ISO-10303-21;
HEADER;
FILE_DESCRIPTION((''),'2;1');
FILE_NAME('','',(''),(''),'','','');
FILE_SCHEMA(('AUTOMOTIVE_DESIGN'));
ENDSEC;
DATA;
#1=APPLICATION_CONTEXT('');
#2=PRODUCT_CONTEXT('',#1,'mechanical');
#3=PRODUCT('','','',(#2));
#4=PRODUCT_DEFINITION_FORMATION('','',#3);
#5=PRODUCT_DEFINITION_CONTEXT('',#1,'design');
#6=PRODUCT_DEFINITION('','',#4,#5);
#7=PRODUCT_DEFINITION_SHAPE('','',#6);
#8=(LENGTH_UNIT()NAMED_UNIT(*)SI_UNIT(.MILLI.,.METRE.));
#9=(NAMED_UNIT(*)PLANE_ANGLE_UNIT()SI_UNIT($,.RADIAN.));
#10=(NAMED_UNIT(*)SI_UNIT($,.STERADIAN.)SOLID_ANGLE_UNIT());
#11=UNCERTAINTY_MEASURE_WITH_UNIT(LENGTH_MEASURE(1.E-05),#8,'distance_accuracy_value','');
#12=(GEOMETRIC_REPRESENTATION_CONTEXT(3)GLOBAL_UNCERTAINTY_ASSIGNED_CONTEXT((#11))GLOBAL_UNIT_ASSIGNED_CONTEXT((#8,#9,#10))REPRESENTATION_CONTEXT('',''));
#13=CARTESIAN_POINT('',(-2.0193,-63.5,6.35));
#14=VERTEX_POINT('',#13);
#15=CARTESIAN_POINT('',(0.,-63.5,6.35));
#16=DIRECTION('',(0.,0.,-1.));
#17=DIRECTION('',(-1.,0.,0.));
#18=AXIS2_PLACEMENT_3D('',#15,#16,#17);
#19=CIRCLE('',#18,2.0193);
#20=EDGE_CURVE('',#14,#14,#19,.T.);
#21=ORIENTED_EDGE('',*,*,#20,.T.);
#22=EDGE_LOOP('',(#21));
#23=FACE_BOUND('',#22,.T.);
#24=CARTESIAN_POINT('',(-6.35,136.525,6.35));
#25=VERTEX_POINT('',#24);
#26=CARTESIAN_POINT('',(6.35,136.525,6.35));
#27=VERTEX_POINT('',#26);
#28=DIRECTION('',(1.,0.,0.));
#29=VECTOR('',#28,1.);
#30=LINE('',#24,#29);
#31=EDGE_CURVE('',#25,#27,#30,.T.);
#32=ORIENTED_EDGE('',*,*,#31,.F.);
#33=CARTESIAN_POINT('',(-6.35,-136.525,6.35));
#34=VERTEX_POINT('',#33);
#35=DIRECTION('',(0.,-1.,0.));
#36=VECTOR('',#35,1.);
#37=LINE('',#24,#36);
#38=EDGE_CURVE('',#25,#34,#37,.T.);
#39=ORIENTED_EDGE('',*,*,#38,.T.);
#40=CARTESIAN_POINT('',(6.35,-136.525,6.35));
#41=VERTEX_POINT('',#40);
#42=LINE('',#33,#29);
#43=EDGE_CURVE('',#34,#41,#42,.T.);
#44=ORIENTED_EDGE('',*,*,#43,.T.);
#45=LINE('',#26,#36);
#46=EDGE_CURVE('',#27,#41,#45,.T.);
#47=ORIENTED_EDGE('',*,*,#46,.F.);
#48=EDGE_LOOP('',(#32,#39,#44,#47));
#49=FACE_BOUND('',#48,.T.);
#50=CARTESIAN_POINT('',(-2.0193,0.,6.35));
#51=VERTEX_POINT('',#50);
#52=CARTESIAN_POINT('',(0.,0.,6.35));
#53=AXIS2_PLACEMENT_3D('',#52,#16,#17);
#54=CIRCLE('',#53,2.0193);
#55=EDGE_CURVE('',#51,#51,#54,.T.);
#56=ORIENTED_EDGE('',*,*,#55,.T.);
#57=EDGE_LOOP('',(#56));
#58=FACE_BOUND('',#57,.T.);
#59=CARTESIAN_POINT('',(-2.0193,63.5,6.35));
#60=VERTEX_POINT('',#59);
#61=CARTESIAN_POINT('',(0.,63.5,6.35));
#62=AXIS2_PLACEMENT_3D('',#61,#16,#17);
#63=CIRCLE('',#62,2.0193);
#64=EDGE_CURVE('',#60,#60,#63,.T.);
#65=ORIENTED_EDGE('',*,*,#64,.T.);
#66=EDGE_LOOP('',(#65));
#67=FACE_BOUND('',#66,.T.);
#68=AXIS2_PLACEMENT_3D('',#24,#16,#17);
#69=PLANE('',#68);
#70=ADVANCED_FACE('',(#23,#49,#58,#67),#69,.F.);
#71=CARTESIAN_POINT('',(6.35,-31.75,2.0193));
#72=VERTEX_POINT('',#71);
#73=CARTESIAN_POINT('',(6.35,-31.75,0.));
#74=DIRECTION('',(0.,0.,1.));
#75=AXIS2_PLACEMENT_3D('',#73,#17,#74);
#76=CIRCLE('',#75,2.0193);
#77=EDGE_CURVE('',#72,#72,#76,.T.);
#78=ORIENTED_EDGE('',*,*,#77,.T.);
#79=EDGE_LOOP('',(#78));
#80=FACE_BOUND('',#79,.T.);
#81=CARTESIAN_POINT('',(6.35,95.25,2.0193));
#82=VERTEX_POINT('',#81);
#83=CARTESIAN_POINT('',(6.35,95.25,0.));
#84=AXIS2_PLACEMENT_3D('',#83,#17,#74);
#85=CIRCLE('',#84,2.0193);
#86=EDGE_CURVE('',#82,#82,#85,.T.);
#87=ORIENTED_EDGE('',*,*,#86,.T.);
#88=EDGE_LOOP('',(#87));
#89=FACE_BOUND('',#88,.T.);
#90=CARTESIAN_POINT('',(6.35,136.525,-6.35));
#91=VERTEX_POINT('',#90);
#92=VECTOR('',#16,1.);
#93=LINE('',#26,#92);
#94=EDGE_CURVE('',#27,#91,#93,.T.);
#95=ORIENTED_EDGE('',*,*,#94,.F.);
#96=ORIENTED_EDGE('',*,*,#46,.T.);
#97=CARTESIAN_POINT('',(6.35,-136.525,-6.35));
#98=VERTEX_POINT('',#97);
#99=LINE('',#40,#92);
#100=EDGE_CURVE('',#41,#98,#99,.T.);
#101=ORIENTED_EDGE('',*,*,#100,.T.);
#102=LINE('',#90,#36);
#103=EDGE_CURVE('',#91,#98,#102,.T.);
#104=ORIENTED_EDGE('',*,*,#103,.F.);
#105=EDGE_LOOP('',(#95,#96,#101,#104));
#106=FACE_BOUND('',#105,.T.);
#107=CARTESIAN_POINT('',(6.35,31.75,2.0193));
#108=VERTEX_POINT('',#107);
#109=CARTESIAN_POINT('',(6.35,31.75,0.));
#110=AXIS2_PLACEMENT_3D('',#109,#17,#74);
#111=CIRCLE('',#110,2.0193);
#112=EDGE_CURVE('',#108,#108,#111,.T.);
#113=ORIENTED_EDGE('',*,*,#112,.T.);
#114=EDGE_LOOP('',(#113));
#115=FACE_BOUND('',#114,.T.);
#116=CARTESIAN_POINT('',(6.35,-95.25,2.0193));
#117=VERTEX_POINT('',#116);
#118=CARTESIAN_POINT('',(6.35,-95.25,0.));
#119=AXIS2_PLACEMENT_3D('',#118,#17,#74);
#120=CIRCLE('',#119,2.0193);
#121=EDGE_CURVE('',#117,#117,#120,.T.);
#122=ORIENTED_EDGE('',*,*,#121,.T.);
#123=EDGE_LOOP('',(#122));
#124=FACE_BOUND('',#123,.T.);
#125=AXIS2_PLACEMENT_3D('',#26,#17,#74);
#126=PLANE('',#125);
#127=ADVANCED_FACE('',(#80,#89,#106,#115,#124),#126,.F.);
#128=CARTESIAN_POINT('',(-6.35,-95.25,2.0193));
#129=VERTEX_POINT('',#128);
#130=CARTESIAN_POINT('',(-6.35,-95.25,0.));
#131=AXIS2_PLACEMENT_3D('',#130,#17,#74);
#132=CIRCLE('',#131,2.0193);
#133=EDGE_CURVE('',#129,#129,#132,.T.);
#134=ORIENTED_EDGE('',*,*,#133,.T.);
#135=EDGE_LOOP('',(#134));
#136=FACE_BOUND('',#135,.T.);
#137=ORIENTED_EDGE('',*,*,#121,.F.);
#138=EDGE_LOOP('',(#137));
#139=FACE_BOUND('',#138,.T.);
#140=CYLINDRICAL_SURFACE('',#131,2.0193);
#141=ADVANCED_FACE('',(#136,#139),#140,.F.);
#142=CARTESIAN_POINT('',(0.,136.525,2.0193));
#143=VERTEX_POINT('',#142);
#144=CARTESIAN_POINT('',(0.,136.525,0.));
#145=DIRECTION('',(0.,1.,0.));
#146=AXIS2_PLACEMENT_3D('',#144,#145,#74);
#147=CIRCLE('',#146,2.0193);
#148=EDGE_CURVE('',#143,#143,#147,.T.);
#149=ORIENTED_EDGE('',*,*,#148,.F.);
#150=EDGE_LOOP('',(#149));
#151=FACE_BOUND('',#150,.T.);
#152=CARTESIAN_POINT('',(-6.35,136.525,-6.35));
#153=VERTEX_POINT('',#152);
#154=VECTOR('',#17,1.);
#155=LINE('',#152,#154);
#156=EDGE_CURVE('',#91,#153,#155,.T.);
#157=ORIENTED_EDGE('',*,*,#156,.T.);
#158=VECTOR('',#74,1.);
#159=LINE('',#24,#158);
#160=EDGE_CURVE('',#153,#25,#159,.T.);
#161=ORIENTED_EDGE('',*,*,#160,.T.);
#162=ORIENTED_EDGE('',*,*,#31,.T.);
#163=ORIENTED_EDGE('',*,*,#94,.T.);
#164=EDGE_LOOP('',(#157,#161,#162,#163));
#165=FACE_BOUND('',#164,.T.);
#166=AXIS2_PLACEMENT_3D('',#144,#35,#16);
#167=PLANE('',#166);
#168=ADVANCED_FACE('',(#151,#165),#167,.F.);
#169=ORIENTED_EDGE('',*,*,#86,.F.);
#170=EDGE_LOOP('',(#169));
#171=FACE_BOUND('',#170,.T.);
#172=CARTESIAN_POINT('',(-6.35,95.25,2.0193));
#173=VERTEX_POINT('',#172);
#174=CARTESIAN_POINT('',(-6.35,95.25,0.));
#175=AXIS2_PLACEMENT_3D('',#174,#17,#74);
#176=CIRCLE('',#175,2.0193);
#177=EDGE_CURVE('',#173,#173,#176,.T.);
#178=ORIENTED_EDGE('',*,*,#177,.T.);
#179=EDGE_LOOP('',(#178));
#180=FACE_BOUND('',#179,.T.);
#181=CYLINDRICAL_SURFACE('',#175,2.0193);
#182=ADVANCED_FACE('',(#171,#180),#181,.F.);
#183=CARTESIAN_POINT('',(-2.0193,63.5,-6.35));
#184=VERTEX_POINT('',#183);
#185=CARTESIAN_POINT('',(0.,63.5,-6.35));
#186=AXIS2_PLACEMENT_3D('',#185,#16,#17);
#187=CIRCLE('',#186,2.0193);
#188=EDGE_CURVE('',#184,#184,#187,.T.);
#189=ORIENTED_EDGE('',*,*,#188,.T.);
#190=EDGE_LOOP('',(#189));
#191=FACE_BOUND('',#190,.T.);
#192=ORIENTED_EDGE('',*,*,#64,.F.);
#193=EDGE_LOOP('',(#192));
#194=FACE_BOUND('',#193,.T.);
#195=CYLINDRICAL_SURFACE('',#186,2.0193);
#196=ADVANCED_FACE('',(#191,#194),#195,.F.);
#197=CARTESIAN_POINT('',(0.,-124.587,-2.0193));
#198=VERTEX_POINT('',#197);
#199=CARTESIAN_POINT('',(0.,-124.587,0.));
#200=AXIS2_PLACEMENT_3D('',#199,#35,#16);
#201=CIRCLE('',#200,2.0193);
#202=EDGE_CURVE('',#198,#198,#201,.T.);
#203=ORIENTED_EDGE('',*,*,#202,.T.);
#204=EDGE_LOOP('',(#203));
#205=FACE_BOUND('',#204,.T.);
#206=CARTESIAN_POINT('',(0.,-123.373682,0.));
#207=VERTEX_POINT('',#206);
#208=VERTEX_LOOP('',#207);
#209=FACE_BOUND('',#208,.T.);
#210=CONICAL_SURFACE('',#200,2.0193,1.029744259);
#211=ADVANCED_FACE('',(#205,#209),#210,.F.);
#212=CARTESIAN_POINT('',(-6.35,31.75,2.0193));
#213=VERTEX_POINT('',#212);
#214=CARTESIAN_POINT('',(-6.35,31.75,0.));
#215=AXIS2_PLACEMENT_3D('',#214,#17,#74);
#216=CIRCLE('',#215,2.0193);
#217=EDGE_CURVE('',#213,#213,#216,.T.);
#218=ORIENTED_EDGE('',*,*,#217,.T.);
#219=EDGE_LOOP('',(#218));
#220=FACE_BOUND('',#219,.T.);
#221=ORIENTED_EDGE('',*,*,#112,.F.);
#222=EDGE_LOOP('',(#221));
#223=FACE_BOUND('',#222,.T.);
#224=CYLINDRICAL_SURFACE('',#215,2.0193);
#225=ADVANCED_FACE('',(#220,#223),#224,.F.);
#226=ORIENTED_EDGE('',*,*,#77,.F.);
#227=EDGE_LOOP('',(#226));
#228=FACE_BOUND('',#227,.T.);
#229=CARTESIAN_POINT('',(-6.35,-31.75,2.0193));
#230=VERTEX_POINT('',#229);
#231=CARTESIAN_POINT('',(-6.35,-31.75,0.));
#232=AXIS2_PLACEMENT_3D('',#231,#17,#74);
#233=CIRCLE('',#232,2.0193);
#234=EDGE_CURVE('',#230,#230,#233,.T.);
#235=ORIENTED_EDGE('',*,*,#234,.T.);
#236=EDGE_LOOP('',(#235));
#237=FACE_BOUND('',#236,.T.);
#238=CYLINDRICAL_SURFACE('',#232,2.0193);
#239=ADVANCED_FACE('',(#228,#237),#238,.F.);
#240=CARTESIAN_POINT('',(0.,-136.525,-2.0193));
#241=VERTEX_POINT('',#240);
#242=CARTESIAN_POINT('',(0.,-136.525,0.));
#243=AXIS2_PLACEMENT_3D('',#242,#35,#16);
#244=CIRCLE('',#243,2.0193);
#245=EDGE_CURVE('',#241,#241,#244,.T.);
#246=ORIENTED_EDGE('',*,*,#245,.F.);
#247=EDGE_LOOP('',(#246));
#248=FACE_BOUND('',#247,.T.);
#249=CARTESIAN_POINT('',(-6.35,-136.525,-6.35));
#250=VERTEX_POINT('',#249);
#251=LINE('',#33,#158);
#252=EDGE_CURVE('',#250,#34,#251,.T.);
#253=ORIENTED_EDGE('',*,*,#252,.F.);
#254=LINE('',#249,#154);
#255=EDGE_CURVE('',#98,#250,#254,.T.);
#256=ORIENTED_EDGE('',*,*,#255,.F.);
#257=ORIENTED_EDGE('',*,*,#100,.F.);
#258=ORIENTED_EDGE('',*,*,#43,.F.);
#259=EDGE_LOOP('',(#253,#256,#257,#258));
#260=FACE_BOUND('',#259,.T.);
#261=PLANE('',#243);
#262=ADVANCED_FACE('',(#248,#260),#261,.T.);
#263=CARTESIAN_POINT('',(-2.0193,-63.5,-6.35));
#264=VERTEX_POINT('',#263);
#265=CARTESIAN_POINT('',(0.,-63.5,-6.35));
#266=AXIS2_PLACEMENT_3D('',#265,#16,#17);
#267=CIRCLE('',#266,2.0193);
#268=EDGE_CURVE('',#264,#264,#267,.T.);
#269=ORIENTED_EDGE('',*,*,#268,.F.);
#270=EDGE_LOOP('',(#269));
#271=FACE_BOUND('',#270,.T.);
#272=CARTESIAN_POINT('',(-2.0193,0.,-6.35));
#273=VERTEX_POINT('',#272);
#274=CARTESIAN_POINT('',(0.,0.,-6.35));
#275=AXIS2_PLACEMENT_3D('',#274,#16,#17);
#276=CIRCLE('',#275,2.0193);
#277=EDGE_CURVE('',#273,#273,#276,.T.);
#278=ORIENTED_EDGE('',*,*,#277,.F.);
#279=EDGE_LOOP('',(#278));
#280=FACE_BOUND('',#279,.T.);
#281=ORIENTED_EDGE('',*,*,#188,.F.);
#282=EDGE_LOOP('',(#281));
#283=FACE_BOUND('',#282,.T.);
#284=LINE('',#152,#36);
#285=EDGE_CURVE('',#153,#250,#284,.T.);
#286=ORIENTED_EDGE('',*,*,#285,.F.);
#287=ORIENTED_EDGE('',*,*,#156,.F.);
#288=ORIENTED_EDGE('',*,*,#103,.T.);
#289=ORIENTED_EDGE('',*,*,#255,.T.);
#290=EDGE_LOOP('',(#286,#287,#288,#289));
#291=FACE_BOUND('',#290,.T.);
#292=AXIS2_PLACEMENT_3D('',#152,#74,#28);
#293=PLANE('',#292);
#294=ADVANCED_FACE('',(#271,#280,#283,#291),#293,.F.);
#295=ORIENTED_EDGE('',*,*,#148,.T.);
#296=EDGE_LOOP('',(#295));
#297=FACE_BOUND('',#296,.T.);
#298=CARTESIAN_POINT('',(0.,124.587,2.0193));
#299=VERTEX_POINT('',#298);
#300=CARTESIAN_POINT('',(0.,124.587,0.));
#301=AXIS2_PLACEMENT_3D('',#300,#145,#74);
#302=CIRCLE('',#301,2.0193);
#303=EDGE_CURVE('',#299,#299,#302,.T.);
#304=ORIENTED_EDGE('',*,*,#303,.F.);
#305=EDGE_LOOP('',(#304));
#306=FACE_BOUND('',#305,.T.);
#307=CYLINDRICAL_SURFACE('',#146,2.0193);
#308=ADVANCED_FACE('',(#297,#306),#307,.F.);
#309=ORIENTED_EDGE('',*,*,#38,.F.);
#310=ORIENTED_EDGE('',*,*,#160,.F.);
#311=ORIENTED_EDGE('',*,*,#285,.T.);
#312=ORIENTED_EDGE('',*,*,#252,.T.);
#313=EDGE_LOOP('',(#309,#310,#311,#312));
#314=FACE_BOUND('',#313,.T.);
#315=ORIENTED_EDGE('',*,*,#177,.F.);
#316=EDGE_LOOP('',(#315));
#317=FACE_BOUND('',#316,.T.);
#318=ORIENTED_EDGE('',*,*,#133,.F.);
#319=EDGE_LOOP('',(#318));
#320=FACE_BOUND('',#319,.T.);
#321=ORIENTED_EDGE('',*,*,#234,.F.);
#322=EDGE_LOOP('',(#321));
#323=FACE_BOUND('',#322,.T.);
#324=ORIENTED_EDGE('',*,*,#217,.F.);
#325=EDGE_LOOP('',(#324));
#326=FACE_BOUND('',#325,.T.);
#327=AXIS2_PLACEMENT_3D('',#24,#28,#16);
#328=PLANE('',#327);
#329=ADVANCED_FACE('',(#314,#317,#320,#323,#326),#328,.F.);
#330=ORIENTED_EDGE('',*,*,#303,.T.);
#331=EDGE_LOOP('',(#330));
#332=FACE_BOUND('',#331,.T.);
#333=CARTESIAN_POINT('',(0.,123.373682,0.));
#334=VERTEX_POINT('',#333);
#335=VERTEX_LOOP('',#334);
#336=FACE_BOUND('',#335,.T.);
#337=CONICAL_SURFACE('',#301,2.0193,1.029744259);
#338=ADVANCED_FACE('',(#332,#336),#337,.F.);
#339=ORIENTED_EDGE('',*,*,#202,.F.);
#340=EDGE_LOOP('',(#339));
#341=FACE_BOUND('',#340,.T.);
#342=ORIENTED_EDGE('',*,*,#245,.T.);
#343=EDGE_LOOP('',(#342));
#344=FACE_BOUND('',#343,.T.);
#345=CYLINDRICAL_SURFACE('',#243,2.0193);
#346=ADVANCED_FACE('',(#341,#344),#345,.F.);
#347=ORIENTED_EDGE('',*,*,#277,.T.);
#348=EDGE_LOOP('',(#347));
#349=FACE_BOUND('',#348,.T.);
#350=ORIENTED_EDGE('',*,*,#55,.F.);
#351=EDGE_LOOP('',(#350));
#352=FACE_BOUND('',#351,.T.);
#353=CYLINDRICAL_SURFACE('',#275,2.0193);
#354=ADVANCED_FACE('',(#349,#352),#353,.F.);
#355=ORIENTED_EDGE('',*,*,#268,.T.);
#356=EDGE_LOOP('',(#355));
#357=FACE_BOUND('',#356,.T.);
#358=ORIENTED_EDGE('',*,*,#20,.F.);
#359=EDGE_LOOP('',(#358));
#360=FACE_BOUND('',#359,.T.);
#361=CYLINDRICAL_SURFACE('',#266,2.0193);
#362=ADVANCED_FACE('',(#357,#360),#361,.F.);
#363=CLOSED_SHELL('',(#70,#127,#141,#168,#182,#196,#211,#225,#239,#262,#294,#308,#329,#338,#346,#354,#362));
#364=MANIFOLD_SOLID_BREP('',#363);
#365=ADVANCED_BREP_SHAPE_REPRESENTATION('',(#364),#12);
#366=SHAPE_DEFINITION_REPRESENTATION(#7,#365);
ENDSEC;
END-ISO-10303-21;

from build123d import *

# Parameters (mm, degrees)
SKETCH1_W              = 12.7
SKETCH1_H              = 12.7
BOSS_EXTRUDE1_DEPTH    = 136.525
F_10_32_TAPPED_HOLE4_D = 4.0386
F_10_32_TAPPED_HOLE5_D = 4.0386


with BuildPart() as part:
    # Sketch1 → Boss-Extrude1 (new, symmetric)
    with BuildSketch(Plane(origin=(0, 0, 0), x_dir=(1, 0, 0), z_dir=(0, 1, 0))):
        Rectangle(SKETCH1_W, SKETCH1_H)
    extrude(amount=BOSS_EXTRUDE1_DEPTH, both=True)

    # Sketch14 → #10-32 Tapped Hole3 (revolve, cut)
    with BuildSketch(Plane(origin=(0, -136.525, 0), x_dir=(0, 0, -1), z_dir=(1, 0, 0))):
        Polygon((0, 0), (0, 13.151317848), (2.0193, 11.938), (2.0193, 0), align=None)
    f_10_32_tapped_hole3 = revolve(axis=Axis((0, -142.875, 0), (0, 1, 0)), mode=Mode.SUBTRACT)

    # Mirror1: #10-32 Tapped Hole3 across plane
    add(f_10_32_tapped_hole3.mirror(Plane.ZX), mode=Mode.SUBTRACT)

    # #10-32 Tapped Hole4 (through all)
    with Locations(Plane(origin=(0, 0, -6.35), x_dir=(-1, 0, 0), z_dir=(0, 0, -1))):
        with Locations((0, 63.5), (0, 0), (0, -63.5)):
            Hole(F_10_32_TAPPED_HOLE4_D / 2)

    # #10-32 Tapped Hole5 (through all)
    with Locations(Plane.ZY.offset(6.35)):
        with Locations((0, 95.25), (0, 31.75), (0, -31.75), (0, -95.25)):
            Hole(F_10_32_TAPPED_HOLE5_D / 2)


solid = part.part
